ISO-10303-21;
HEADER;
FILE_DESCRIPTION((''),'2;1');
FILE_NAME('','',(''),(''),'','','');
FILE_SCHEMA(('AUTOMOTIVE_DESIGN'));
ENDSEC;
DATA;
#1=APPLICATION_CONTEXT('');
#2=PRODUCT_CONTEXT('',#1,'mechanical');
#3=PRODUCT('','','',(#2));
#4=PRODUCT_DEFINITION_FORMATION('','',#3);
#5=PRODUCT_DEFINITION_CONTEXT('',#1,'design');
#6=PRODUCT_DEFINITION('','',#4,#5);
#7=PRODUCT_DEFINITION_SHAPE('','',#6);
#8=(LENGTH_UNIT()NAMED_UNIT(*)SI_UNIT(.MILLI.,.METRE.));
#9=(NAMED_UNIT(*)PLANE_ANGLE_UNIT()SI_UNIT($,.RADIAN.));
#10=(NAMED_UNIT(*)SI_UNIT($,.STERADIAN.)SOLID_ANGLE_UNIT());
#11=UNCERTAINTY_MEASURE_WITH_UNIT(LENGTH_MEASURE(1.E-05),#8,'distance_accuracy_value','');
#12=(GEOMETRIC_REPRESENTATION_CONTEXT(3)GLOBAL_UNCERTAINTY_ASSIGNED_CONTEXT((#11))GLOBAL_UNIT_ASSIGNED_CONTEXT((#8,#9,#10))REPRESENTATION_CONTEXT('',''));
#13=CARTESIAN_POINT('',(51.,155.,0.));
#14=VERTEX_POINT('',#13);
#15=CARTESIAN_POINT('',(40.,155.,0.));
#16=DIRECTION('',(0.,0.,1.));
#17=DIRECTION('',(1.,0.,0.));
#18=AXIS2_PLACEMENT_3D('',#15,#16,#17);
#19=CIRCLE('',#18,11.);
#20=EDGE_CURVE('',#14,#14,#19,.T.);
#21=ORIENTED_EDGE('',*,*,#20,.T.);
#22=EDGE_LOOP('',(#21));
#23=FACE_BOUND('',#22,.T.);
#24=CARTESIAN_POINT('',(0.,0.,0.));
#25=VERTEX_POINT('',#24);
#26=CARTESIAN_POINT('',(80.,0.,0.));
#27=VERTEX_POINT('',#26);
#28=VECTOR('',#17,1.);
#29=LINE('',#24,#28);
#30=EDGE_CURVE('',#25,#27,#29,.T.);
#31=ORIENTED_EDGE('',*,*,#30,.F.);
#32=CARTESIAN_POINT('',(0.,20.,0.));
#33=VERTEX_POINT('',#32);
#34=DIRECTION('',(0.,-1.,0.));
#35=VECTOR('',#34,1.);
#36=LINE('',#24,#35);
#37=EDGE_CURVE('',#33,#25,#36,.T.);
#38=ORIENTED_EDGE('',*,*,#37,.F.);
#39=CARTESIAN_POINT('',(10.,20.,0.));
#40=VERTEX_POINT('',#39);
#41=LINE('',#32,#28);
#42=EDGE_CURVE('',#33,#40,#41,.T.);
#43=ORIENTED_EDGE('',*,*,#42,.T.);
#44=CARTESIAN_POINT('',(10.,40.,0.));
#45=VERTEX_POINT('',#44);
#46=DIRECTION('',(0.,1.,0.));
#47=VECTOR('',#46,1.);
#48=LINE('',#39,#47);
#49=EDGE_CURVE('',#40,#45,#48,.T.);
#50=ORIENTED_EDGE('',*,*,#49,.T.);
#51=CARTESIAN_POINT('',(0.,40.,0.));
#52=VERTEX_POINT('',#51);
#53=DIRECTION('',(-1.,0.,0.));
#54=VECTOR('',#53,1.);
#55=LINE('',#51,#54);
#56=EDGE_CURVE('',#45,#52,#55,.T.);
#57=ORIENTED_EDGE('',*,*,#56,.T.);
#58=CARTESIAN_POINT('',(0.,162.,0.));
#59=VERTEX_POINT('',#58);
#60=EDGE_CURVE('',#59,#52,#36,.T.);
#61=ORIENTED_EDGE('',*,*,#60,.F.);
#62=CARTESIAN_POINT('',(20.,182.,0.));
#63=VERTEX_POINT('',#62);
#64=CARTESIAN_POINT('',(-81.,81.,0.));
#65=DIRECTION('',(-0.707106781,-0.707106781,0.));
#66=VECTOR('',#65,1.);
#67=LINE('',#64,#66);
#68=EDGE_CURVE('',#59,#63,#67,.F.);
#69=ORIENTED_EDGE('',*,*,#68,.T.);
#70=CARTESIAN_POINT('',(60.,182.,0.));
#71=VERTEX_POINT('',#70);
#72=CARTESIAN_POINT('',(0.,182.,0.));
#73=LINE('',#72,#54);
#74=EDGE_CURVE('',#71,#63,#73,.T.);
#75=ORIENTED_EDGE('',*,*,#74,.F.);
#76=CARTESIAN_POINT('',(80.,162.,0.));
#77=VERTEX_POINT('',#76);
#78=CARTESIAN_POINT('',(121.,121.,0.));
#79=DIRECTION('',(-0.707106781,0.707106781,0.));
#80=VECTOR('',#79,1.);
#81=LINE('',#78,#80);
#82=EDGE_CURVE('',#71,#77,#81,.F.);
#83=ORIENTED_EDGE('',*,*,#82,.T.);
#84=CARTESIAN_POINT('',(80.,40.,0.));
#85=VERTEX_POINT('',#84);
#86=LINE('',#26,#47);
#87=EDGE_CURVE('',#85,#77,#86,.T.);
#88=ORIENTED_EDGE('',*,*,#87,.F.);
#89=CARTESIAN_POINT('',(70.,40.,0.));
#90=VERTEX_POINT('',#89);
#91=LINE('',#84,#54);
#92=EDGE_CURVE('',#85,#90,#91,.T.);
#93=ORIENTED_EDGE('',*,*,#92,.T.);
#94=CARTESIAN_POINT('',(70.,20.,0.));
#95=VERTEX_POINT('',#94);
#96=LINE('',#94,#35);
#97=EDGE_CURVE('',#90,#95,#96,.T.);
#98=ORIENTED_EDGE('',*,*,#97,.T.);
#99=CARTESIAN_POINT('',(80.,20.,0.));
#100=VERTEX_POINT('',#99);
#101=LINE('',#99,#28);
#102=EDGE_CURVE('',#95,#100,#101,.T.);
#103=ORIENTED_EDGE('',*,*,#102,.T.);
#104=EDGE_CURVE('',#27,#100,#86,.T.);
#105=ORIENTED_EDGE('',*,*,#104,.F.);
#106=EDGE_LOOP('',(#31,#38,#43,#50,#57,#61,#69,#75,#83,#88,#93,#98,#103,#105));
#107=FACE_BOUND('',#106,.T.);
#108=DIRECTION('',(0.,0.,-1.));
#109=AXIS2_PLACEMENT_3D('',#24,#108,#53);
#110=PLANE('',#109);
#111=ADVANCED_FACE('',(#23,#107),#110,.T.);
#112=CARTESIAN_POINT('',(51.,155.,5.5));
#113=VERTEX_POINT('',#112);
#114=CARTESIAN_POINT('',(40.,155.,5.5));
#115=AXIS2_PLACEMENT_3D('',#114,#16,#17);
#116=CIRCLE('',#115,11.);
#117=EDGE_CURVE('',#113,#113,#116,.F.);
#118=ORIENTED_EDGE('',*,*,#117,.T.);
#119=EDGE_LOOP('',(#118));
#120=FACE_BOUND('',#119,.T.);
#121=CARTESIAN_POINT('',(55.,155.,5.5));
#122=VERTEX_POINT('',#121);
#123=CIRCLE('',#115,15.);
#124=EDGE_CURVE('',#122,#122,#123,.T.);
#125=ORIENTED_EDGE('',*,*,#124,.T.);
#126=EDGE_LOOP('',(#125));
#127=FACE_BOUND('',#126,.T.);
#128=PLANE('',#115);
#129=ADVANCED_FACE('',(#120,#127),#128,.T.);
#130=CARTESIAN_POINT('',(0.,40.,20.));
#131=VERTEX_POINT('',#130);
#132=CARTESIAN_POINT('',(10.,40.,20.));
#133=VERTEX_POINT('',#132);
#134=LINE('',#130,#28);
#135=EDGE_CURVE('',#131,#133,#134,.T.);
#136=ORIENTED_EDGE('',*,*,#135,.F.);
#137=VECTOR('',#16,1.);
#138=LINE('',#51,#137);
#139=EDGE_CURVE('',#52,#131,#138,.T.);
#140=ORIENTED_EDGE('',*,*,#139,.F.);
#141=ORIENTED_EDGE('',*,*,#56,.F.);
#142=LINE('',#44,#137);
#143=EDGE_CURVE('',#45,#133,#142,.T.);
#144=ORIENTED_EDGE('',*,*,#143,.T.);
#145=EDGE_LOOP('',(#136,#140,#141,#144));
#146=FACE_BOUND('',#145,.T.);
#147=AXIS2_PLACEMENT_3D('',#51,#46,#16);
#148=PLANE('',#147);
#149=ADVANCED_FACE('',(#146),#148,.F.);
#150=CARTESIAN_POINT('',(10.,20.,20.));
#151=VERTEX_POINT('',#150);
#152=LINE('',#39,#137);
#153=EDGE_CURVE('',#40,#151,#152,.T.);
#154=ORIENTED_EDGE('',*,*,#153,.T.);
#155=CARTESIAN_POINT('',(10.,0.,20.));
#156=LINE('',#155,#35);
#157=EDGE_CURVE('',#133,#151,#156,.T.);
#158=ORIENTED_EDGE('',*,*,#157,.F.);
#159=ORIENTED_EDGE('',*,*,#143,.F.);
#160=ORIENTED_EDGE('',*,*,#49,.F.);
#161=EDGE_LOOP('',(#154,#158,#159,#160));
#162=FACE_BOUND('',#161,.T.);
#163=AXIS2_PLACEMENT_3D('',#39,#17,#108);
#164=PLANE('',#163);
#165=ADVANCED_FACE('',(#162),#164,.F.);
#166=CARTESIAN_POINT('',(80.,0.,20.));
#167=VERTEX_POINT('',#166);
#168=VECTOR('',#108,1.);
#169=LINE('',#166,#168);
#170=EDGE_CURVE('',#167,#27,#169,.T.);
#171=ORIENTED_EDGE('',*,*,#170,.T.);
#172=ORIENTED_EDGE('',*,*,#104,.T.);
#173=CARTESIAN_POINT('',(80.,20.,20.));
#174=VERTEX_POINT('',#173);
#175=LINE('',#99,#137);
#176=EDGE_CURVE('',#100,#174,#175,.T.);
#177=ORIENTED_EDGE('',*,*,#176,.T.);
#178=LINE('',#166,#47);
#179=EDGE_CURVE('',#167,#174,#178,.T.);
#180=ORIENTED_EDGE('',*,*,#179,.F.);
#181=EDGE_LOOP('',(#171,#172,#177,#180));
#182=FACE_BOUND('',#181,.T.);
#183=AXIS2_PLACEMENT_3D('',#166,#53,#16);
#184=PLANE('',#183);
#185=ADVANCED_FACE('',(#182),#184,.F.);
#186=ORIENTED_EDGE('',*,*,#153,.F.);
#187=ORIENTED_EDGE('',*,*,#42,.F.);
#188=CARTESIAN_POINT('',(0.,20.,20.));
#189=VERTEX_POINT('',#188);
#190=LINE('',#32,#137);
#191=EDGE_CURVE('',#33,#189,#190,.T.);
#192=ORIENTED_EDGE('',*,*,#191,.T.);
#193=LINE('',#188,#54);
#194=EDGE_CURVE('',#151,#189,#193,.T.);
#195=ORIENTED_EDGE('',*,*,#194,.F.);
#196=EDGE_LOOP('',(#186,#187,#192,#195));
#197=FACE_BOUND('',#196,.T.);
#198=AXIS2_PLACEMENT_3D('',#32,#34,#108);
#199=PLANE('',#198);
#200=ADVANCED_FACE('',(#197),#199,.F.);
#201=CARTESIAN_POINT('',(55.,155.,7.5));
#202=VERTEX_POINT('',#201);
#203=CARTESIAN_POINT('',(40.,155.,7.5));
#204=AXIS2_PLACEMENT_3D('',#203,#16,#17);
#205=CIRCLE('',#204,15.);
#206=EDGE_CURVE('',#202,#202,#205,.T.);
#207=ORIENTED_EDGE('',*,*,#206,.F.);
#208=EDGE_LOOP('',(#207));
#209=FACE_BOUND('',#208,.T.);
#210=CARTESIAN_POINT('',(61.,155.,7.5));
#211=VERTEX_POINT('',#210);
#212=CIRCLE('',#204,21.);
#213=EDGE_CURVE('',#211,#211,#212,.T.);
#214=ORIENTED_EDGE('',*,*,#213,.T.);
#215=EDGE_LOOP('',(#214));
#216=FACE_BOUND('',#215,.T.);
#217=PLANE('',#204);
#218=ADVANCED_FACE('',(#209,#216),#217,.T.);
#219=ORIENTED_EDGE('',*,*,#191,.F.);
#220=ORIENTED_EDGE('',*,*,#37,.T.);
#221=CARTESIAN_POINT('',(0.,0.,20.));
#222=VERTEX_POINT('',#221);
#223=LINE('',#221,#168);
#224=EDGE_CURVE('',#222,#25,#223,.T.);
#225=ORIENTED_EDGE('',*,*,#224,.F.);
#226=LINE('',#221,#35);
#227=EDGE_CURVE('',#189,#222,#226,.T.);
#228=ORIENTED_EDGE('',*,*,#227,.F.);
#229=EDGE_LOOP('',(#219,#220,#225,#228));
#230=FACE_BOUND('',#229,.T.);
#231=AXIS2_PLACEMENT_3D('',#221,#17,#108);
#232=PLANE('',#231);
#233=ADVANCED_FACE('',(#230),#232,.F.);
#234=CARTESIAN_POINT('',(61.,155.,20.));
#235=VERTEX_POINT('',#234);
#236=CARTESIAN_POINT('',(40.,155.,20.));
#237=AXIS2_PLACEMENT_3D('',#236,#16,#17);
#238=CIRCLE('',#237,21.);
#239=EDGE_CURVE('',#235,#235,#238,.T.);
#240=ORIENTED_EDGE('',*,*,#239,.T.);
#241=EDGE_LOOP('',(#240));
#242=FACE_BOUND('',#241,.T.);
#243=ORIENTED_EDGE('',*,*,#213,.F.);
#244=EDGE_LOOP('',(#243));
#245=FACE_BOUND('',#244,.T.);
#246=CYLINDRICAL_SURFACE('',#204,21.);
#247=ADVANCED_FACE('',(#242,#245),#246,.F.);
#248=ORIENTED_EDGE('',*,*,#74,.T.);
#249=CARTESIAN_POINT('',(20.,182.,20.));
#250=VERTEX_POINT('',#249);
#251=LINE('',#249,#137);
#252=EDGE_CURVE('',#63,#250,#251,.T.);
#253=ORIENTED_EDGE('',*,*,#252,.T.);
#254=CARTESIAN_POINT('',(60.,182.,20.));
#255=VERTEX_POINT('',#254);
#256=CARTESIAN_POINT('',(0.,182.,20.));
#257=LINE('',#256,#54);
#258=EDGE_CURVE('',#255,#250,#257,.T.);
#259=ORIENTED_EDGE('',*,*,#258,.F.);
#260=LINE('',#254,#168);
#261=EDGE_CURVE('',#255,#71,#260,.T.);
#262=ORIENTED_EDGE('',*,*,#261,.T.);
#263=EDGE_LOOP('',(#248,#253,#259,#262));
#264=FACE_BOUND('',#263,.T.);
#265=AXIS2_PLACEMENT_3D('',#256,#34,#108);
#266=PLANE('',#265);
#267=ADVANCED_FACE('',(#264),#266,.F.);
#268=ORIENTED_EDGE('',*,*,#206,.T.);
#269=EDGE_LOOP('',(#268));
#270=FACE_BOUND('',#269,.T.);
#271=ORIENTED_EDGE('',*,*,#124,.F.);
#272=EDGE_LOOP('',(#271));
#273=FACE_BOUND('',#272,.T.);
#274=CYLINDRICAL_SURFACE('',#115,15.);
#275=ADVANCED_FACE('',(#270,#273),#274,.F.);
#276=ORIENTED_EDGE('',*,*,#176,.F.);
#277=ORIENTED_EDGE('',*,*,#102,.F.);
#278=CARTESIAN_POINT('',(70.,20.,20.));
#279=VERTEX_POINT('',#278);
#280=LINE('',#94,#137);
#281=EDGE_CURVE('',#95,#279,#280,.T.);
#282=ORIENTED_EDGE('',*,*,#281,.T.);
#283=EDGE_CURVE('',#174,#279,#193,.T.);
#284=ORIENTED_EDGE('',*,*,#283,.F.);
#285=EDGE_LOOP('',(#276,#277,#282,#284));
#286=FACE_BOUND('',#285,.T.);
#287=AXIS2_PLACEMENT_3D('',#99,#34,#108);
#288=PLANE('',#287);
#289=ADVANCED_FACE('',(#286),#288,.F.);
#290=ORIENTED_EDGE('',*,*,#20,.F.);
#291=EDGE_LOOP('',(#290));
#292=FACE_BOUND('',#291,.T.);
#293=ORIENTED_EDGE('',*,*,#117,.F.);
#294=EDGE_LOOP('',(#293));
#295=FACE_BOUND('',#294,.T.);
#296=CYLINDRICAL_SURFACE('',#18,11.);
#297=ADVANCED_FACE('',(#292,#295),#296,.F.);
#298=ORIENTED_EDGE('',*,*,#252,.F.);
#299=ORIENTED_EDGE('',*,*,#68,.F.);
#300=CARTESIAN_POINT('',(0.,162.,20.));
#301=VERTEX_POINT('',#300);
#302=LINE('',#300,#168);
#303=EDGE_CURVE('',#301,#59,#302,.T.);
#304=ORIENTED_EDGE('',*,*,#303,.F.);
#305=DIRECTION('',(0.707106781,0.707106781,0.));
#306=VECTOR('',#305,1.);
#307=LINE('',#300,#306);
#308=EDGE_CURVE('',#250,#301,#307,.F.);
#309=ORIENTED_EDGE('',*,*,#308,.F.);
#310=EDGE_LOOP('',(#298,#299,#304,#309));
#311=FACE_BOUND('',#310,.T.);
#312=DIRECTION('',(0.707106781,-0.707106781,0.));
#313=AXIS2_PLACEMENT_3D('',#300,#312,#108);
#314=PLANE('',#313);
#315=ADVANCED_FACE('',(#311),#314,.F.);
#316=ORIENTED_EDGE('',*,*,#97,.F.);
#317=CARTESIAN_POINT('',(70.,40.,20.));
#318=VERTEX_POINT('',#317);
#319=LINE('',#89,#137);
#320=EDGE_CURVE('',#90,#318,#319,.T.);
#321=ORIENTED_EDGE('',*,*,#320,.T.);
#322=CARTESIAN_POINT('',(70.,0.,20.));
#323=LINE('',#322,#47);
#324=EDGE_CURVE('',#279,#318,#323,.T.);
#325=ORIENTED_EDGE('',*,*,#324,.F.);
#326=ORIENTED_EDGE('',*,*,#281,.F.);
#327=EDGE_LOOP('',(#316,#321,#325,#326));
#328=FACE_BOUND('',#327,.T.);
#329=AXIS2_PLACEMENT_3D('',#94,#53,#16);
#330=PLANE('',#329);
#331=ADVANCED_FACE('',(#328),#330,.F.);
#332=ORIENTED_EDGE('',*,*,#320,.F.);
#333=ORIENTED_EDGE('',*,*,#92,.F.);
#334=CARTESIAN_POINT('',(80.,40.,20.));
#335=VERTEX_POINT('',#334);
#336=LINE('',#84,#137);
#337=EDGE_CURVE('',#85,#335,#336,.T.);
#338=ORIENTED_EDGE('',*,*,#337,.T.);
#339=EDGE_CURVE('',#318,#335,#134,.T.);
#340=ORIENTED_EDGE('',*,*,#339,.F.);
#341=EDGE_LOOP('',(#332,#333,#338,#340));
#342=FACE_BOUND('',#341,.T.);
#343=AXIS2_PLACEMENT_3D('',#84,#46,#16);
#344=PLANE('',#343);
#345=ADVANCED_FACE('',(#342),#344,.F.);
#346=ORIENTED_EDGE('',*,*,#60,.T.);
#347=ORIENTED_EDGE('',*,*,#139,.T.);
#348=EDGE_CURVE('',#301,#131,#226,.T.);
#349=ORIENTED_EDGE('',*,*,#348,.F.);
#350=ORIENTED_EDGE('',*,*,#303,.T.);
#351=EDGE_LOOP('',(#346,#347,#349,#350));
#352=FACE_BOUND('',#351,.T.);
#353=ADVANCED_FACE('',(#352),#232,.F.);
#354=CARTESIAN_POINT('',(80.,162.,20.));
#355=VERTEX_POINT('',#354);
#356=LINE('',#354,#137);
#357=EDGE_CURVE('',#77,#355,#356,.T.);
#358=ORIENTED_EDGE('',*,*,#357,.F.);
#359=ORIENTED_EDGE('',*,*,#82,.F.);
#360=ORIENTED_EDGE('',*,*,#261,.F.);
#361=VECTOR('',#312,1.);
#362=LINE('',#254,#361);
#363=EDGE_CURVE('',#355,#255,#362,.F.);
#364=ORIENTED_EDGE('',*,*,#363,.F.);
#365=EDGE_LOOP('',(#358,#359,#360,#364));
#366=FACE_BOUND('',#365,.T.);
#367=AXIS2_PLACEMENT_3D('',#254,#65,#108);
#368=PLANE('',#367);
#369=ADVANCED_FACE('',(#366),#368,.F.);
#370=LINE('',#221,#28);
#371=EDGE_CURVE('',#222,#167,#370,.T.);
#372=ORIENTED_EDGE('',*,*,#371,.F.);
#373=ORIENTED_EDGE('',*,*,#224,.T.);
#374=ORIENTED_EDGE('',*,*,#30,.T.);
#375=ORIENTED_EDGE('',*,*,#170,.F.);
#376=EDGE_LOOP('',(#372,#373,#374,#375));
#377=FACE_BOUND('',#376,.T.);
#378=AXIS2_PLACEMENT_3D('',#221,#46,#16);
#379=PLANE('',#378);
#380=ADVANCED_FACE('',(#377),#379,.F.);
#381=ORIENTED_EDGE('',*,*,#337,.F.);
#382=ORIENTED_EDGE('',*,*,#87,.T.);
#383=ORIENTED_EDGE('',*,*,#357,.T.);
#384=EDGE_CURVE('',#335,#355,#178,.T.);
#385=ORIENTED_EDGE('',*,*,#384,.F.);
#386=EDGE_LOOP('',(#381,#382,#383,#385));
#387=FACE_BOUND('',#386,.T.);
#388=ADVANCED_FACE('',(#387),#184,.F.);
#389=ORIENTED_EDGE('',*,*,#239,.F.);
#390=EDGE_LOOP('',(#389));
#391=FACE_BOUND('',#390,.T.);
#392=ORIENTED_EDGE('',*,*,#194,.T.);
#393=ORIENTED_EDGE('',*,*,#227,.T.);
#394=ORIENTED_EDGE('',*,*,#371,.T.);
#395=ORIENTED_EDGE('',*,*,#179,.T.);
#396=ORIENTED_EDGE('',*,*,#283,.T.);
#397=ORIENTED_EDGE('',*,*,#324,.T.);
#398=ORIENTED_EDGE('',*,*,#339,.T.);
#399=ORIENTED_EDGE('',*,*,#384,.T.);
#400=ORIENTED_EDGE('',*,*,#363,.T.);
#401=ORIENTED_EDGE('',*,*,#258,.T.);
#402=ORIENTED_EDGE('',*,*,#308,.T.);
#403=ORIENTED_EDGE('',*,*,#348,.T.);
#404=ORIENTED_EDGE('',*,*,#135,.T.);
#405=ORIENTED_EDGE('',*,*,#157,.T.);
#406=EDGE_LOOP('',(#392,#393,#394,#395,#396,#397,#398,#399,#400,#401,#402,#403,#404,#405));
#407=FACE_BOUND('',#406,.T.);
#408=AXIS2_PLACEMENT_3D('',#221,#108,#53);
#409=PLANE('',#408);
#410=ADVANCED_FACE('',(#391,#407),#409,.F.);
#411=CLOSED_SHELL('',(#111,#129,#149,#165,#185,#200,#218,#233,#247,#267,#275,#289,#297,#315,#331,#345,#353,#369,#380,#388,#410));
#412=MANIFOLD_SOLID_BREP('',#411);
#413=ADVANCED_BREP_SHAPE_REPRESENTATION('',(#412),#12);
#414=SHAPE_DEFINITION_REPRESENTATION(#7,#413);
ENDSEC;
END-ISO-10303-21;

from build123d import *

# Parameters (mm, degrees)
ESQUISSE1_W                  = 80
ESQUISSE1_H                  = 182
BOSS_EXTRU_1_DEPTH           = 20
ENL_V_MAT_EXTRU_1_DEPTH      = 200.809909664
ENL_V_MAT_EXTRU_1_DEPTH_BACK = 200.809909664
ESQUISSE2_R                  = 11
CHANFREIN1_SIZE              = 20
ESQUISSE3_R                  = 21
ENL_V_MAT_EXTRU_2_DEPTH      = 12.5
ESQUISSE4_R                  = 15
ENL_V_MAT_EXTRU_3_DEPTH      = 2
ENL_V_MAT_EXTRU_4_DEPTH      = 200.809909664
ENL_V_MAT_EXTRU_4_DEPTH_BACK = 200.809909664
ESQUISSE5_W                  = 10
ESQUISSE5_H                  = 20


with BuildPart() as part:
    # Esquisse1 → Boss.-Extru.1 (new body)
    with BuildSketch(Plane.XY):
        with Locations((40, 91)):
            Rectangle(ESQUISSE1_W, ESQUISSE1_H)
    extrude(amount=BOSS_EXTRU_1_DEPTH)

    # Esquisse2 → Enlèv. mat.-Extru.1 (cut, two sides: drawn at the far end of the back side and taken through both)
    with BuildSketch(Plane.XY.offset(20).offset(-ENL_V_MAT_EXTRU_1_DEPTH_BACK)):
        with Locations((40, 155)):
            Circle(ESQUISSE2_R)
    extrude(amount=ENL_V_MAT_EXTRU_1_DEPTH + ENL_V_MAT_EXTRU_1_DEPTH_BACK, mode=Mode.SUBTRACT)

    # Chanfrein1
    chanfrein1_edges = [part.edges().sort_by_distance(p)[0] for p in [
        (0, 182, 10),
        (80, 182, 10),
    ]]
    chamfer(chanfrein1_edges, length=CHANFREIN1_SIZE)

    # Esquisse3 → Enlèv. mat.-Extru.2 (cut)
    with BuildSketch(Plane.XY.offset(20)):
        with Locations((40, 155)):
            Circle(ESQUISSE3_R)
    extrude(amount=-ENL_V_MAT_EXTRU_2_DEPTH, mode=Mode.SUBTRACT)

    # Esquisse4 → Enlèv. mat.-Extru.3 (cut)
    with BuildSketch(Plane.XY.offset(7.5)):
        with Locations((40, 155)):
            Circle(ESQUISSE4_R)
    extrude(amount=-ENL_V_MAT_EXTRU_3_DEPTH, mode=Mode.SUBTRACT)

    # Esquisse5 → Enlèv. mat.-Extru.4 (cut, two sides: drawn at the far end of the back side and taken through both)
    with BuildSketch(Plane.XY.offset(20).offset(-ENL_V_MAT_EXTRU_4_DEPTH_BACK)):
        with Locations((75, 30)):
            Rectangle(ESQUISSE5_W, ESQUISSE5_H)
        with Locations((5, 30)):
            Rectangle(ESQUISSE5_W, ESQUISSE5_H)
    extrude(amount=ENL_V_MAT_EXTRU_4_DEPTH + ENL_V_MAT_EXTRU_4_DEPTH_BACK, mode=Mode.SUBTRACT)


solid = part.part
